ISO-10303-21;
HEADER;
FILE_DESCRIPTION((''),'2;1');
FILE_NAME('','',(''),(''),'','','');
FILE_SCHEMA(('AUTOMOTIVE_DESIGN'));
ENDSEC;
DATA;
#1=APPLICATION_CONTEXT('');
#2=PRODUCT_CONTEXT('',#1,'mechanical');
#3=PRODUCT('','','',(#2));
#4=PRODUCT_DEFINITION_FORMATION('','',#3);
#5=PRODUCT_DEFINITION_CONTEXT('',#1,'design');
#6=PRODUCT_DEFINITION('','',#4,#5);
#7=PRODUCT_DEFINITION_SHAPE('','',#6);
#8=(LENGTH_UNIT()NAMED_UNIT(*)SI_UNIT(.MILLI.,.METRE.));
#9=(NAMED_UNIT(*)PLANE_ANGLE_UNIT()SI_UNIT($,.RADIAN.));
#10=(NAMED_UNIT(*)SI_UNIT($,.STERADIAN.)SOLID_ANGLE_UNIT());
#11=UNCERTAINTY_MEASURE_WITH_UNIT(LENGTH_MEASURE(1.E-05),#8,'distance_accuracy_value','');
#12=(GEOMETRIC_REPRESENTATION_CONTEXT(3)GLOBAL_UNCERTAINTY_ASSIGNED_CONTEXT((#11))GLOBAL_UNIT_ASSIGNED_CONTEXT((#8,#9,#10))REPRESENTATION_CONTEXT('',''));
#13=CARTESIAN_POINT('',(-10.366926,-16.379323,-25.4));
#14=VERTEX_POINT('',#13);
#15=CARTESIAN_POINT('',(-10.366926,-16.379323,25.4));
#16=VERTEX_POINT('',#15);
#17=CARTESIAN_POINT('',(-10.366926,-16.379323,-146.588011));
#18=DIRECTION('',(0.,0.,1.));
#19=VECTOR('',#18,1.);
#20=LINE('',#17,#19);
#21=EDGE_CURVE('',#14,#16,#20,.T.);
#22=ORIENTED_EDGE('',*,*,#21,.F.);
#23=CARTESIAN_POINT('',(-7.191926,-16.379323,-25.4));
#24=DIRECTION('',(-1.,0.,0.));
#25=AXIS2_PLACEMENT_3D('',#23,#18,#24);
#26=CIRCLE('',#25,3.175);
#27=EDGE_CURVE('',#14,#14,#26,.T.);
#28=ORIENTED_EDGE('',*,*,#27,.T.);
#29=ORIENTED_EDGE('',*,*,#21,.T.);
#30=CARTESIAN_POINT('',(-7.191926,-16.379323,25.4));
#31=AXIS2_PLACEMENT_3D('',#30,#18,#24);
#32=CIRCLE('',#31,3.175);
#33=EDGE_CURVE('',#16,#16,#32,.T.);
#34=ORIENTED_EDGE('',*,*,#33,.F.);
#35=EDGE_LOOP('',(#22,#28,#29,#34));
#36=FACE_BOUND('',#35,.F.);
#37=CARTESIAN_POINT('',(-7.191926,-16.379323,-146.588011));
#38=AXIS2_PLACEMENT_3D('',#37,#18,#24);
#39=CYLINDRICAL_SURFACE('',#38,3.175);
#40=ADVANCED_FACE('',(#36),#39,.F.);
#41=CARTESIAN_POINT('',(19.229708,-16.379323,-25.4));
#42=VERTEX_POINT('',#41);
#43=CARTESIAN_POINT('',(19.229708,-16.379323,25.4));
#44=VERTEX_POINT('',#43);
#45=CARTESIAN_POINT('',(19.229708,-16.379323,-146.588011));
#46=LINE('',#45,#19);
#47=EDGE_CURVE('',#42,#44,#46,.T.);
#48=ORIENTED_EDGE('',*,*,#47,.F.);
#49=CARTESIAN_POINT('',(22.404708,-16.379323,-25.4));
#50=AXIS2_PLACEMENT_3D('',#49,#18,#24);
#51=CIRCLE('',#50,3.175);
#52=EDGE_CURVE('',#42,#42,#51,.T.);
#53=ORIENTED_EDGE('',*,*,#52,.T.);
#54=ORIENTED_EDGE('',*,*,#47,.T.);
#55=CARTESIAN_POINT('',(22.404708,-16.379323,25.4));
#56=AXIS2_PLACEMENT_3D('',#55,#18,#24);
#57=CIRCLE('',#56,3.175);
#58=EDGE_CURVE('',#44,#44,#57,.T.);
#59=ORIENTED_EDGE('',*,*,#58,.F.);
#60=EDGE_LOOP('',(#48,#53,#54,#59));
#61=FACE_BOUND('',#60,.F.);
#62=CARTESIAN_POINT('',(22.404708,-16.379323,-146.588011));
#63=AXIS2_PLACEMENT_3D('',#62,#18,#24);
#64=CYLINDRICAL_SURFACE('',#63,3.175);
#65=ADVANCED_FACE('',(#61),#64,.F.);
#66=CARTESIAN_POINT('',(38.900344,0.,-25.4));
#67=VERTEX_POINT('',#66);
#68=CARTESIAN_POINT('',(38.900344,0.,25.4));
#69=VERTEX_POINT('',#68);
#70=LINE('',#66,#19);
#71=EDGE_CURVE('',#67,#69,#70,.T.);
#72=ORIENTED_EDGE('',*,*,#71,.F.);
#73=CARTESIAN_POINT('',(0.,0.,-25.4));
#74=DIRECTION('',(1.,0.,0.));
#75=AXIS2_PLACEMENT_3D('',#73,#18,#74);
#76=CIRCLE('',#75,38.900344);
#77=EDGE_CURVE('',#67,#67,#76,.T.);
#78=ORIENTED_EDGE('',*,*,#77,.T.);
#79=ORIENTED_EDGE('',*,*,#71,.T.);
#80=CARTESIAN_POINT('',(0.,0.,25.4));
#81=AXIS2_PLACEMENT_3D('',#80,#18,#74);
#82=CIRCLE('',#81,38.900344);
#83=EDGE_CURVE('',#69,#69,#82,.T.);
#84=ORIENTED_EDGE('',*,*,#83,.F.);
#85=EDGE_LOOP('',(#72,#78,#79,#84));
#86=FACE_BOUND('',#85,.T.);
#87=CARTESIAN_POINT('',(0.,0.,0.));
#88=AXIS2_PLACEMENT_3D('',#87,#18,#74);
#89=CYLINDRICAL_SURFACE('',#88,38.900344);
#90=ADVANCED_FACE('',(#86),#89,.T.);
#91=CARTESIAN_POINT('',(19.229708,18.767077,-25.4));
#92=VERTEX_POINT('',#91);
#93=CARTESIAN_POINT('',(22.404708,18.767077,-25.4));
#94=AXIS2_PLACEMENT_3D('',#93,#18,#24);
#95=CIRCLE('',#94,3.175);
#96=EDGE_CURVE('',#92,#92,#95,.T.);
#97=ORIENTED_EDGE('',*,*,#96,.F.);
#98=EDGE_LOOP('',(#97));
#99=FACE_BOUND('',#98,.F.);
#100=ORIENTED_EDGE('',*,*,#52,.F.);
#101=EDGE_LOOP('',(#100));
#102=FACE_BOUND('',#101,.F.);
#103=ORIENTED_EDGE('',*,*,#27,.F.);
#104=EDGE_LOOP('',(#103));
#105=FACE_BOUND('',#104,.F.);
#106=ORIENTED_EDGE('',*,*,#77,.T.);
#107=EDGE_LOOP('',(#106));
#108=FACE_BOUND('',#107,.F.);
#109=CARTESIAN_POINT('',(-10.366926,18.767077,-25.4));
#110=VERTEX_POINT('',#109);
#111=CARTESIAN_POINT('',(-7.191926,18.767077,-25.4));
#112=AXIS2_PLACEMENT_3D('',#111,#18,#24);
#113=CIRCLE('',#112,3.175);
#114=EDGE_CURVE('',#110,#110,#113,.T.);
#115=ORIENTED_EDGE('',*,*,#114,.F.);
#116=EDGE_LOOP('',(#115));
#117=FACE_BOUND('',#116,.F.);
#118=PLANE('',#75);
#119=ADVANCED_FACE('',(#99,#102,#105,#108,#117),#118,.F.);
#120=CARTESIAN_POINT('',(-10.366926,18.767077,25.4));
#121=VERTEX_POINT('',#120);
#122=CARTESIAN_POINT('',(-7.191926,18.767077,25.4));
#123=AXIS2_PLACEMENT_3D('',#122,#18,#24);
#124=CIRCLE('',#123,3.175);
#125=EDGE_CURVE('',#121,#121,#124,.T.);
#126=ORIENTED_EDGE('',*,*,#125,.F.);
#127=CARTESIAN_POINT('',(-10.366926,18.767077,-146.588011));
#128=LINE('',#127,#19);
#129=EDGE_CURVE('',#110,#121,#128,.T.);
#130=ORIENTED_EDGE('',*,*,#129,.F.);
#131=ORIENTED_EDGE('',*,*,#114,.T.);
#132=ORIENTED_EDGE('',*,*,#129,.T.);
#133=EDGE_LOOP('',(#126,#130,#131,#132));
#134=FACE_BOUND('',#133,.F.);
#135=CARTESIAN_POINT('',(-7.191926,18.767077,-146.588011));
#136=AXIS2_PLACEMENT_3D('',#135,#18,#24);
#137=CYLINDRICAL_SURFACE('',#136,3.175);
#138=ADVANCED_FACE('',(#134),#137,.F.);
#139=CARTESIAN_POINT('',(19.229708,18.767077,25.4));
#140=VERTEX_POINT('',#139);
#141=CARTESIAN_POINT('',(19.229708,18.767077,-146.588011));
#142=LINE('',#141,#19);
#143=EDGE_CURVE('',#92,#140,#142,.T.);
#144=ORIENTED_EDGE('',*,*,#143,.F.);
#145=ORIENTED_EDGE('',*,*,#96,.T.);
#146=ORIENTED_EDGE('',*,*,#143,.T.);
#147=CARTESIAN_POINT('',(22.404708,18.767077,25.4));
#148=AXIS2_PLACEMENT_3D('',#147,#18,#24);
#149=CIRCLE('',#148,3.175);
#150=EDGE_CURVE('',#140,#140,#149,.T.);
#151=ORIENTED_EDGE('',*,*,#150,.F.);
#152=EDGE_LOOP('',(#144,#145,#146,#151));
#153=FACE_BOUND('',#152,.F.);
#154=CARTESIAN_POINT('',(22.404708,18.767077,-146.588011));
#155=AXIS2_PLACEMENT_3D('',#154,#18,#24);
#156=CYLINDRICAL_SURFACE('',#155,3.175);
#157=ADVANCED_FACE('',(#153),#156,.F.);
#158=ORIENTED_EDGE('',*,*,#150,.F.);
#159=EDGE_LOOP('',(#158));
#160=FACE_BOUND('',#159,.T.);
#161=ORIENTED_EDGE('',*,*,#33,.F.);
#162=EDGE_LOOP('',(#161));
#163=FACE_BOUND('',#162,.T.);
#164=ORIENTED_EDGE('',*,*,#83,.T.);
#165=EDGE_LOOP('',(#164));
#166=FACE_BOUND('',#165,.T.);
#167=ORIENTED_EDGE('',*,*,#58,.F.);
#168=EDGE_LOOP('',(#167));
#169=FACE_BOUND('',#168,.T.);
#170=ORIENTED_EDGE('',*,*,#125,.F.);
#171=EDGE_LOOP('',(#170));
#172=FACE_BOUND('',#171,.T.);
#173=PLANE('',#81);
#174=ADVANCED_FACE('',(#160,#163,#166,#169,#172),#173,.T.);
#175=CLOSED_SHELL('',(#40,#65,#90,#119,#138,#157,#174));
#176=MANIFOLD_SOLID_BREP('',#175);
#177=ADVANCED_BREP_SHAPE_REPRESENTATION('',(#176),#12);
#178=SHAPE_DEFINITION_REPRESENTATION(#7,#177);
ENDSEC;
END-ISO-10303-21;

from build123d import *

# Parameters (mm, degrees)
F0_R          = 38.900344
F1_DEPTH      = 25.4
F1_DEPTH_BACK = 25.4
F3_D          = 6.35


with BuildPart() as f1:
    # F0 (on Top) → F1 (new body, two sides)
    with BuildSketch(Plane.XY) as f1_sk:
        Circle(F0_R)
    extrude(amount=F1_DEPTH)
    extrude(f1_sk.sketch, amount=-F1_DEPTH_BACK)

    # F3 (through all)
    with Locations(Plane(origin=(0, 0, -25.4), x_dir=(1, 0, 0), z_dir=(0, 0, -1))):
        with Locations((22.404708, 16.379323), (-7.191926, -18.767077), (-7.191926, 16.379323), (22.404708, -18.767077), (22.404708, 16.379323), (-7.191926, -18.767077), (22.404708, -18.767077), (-7.191926, 16.379323)):
            Hole(F3_D / 2)


solid = f1.part
